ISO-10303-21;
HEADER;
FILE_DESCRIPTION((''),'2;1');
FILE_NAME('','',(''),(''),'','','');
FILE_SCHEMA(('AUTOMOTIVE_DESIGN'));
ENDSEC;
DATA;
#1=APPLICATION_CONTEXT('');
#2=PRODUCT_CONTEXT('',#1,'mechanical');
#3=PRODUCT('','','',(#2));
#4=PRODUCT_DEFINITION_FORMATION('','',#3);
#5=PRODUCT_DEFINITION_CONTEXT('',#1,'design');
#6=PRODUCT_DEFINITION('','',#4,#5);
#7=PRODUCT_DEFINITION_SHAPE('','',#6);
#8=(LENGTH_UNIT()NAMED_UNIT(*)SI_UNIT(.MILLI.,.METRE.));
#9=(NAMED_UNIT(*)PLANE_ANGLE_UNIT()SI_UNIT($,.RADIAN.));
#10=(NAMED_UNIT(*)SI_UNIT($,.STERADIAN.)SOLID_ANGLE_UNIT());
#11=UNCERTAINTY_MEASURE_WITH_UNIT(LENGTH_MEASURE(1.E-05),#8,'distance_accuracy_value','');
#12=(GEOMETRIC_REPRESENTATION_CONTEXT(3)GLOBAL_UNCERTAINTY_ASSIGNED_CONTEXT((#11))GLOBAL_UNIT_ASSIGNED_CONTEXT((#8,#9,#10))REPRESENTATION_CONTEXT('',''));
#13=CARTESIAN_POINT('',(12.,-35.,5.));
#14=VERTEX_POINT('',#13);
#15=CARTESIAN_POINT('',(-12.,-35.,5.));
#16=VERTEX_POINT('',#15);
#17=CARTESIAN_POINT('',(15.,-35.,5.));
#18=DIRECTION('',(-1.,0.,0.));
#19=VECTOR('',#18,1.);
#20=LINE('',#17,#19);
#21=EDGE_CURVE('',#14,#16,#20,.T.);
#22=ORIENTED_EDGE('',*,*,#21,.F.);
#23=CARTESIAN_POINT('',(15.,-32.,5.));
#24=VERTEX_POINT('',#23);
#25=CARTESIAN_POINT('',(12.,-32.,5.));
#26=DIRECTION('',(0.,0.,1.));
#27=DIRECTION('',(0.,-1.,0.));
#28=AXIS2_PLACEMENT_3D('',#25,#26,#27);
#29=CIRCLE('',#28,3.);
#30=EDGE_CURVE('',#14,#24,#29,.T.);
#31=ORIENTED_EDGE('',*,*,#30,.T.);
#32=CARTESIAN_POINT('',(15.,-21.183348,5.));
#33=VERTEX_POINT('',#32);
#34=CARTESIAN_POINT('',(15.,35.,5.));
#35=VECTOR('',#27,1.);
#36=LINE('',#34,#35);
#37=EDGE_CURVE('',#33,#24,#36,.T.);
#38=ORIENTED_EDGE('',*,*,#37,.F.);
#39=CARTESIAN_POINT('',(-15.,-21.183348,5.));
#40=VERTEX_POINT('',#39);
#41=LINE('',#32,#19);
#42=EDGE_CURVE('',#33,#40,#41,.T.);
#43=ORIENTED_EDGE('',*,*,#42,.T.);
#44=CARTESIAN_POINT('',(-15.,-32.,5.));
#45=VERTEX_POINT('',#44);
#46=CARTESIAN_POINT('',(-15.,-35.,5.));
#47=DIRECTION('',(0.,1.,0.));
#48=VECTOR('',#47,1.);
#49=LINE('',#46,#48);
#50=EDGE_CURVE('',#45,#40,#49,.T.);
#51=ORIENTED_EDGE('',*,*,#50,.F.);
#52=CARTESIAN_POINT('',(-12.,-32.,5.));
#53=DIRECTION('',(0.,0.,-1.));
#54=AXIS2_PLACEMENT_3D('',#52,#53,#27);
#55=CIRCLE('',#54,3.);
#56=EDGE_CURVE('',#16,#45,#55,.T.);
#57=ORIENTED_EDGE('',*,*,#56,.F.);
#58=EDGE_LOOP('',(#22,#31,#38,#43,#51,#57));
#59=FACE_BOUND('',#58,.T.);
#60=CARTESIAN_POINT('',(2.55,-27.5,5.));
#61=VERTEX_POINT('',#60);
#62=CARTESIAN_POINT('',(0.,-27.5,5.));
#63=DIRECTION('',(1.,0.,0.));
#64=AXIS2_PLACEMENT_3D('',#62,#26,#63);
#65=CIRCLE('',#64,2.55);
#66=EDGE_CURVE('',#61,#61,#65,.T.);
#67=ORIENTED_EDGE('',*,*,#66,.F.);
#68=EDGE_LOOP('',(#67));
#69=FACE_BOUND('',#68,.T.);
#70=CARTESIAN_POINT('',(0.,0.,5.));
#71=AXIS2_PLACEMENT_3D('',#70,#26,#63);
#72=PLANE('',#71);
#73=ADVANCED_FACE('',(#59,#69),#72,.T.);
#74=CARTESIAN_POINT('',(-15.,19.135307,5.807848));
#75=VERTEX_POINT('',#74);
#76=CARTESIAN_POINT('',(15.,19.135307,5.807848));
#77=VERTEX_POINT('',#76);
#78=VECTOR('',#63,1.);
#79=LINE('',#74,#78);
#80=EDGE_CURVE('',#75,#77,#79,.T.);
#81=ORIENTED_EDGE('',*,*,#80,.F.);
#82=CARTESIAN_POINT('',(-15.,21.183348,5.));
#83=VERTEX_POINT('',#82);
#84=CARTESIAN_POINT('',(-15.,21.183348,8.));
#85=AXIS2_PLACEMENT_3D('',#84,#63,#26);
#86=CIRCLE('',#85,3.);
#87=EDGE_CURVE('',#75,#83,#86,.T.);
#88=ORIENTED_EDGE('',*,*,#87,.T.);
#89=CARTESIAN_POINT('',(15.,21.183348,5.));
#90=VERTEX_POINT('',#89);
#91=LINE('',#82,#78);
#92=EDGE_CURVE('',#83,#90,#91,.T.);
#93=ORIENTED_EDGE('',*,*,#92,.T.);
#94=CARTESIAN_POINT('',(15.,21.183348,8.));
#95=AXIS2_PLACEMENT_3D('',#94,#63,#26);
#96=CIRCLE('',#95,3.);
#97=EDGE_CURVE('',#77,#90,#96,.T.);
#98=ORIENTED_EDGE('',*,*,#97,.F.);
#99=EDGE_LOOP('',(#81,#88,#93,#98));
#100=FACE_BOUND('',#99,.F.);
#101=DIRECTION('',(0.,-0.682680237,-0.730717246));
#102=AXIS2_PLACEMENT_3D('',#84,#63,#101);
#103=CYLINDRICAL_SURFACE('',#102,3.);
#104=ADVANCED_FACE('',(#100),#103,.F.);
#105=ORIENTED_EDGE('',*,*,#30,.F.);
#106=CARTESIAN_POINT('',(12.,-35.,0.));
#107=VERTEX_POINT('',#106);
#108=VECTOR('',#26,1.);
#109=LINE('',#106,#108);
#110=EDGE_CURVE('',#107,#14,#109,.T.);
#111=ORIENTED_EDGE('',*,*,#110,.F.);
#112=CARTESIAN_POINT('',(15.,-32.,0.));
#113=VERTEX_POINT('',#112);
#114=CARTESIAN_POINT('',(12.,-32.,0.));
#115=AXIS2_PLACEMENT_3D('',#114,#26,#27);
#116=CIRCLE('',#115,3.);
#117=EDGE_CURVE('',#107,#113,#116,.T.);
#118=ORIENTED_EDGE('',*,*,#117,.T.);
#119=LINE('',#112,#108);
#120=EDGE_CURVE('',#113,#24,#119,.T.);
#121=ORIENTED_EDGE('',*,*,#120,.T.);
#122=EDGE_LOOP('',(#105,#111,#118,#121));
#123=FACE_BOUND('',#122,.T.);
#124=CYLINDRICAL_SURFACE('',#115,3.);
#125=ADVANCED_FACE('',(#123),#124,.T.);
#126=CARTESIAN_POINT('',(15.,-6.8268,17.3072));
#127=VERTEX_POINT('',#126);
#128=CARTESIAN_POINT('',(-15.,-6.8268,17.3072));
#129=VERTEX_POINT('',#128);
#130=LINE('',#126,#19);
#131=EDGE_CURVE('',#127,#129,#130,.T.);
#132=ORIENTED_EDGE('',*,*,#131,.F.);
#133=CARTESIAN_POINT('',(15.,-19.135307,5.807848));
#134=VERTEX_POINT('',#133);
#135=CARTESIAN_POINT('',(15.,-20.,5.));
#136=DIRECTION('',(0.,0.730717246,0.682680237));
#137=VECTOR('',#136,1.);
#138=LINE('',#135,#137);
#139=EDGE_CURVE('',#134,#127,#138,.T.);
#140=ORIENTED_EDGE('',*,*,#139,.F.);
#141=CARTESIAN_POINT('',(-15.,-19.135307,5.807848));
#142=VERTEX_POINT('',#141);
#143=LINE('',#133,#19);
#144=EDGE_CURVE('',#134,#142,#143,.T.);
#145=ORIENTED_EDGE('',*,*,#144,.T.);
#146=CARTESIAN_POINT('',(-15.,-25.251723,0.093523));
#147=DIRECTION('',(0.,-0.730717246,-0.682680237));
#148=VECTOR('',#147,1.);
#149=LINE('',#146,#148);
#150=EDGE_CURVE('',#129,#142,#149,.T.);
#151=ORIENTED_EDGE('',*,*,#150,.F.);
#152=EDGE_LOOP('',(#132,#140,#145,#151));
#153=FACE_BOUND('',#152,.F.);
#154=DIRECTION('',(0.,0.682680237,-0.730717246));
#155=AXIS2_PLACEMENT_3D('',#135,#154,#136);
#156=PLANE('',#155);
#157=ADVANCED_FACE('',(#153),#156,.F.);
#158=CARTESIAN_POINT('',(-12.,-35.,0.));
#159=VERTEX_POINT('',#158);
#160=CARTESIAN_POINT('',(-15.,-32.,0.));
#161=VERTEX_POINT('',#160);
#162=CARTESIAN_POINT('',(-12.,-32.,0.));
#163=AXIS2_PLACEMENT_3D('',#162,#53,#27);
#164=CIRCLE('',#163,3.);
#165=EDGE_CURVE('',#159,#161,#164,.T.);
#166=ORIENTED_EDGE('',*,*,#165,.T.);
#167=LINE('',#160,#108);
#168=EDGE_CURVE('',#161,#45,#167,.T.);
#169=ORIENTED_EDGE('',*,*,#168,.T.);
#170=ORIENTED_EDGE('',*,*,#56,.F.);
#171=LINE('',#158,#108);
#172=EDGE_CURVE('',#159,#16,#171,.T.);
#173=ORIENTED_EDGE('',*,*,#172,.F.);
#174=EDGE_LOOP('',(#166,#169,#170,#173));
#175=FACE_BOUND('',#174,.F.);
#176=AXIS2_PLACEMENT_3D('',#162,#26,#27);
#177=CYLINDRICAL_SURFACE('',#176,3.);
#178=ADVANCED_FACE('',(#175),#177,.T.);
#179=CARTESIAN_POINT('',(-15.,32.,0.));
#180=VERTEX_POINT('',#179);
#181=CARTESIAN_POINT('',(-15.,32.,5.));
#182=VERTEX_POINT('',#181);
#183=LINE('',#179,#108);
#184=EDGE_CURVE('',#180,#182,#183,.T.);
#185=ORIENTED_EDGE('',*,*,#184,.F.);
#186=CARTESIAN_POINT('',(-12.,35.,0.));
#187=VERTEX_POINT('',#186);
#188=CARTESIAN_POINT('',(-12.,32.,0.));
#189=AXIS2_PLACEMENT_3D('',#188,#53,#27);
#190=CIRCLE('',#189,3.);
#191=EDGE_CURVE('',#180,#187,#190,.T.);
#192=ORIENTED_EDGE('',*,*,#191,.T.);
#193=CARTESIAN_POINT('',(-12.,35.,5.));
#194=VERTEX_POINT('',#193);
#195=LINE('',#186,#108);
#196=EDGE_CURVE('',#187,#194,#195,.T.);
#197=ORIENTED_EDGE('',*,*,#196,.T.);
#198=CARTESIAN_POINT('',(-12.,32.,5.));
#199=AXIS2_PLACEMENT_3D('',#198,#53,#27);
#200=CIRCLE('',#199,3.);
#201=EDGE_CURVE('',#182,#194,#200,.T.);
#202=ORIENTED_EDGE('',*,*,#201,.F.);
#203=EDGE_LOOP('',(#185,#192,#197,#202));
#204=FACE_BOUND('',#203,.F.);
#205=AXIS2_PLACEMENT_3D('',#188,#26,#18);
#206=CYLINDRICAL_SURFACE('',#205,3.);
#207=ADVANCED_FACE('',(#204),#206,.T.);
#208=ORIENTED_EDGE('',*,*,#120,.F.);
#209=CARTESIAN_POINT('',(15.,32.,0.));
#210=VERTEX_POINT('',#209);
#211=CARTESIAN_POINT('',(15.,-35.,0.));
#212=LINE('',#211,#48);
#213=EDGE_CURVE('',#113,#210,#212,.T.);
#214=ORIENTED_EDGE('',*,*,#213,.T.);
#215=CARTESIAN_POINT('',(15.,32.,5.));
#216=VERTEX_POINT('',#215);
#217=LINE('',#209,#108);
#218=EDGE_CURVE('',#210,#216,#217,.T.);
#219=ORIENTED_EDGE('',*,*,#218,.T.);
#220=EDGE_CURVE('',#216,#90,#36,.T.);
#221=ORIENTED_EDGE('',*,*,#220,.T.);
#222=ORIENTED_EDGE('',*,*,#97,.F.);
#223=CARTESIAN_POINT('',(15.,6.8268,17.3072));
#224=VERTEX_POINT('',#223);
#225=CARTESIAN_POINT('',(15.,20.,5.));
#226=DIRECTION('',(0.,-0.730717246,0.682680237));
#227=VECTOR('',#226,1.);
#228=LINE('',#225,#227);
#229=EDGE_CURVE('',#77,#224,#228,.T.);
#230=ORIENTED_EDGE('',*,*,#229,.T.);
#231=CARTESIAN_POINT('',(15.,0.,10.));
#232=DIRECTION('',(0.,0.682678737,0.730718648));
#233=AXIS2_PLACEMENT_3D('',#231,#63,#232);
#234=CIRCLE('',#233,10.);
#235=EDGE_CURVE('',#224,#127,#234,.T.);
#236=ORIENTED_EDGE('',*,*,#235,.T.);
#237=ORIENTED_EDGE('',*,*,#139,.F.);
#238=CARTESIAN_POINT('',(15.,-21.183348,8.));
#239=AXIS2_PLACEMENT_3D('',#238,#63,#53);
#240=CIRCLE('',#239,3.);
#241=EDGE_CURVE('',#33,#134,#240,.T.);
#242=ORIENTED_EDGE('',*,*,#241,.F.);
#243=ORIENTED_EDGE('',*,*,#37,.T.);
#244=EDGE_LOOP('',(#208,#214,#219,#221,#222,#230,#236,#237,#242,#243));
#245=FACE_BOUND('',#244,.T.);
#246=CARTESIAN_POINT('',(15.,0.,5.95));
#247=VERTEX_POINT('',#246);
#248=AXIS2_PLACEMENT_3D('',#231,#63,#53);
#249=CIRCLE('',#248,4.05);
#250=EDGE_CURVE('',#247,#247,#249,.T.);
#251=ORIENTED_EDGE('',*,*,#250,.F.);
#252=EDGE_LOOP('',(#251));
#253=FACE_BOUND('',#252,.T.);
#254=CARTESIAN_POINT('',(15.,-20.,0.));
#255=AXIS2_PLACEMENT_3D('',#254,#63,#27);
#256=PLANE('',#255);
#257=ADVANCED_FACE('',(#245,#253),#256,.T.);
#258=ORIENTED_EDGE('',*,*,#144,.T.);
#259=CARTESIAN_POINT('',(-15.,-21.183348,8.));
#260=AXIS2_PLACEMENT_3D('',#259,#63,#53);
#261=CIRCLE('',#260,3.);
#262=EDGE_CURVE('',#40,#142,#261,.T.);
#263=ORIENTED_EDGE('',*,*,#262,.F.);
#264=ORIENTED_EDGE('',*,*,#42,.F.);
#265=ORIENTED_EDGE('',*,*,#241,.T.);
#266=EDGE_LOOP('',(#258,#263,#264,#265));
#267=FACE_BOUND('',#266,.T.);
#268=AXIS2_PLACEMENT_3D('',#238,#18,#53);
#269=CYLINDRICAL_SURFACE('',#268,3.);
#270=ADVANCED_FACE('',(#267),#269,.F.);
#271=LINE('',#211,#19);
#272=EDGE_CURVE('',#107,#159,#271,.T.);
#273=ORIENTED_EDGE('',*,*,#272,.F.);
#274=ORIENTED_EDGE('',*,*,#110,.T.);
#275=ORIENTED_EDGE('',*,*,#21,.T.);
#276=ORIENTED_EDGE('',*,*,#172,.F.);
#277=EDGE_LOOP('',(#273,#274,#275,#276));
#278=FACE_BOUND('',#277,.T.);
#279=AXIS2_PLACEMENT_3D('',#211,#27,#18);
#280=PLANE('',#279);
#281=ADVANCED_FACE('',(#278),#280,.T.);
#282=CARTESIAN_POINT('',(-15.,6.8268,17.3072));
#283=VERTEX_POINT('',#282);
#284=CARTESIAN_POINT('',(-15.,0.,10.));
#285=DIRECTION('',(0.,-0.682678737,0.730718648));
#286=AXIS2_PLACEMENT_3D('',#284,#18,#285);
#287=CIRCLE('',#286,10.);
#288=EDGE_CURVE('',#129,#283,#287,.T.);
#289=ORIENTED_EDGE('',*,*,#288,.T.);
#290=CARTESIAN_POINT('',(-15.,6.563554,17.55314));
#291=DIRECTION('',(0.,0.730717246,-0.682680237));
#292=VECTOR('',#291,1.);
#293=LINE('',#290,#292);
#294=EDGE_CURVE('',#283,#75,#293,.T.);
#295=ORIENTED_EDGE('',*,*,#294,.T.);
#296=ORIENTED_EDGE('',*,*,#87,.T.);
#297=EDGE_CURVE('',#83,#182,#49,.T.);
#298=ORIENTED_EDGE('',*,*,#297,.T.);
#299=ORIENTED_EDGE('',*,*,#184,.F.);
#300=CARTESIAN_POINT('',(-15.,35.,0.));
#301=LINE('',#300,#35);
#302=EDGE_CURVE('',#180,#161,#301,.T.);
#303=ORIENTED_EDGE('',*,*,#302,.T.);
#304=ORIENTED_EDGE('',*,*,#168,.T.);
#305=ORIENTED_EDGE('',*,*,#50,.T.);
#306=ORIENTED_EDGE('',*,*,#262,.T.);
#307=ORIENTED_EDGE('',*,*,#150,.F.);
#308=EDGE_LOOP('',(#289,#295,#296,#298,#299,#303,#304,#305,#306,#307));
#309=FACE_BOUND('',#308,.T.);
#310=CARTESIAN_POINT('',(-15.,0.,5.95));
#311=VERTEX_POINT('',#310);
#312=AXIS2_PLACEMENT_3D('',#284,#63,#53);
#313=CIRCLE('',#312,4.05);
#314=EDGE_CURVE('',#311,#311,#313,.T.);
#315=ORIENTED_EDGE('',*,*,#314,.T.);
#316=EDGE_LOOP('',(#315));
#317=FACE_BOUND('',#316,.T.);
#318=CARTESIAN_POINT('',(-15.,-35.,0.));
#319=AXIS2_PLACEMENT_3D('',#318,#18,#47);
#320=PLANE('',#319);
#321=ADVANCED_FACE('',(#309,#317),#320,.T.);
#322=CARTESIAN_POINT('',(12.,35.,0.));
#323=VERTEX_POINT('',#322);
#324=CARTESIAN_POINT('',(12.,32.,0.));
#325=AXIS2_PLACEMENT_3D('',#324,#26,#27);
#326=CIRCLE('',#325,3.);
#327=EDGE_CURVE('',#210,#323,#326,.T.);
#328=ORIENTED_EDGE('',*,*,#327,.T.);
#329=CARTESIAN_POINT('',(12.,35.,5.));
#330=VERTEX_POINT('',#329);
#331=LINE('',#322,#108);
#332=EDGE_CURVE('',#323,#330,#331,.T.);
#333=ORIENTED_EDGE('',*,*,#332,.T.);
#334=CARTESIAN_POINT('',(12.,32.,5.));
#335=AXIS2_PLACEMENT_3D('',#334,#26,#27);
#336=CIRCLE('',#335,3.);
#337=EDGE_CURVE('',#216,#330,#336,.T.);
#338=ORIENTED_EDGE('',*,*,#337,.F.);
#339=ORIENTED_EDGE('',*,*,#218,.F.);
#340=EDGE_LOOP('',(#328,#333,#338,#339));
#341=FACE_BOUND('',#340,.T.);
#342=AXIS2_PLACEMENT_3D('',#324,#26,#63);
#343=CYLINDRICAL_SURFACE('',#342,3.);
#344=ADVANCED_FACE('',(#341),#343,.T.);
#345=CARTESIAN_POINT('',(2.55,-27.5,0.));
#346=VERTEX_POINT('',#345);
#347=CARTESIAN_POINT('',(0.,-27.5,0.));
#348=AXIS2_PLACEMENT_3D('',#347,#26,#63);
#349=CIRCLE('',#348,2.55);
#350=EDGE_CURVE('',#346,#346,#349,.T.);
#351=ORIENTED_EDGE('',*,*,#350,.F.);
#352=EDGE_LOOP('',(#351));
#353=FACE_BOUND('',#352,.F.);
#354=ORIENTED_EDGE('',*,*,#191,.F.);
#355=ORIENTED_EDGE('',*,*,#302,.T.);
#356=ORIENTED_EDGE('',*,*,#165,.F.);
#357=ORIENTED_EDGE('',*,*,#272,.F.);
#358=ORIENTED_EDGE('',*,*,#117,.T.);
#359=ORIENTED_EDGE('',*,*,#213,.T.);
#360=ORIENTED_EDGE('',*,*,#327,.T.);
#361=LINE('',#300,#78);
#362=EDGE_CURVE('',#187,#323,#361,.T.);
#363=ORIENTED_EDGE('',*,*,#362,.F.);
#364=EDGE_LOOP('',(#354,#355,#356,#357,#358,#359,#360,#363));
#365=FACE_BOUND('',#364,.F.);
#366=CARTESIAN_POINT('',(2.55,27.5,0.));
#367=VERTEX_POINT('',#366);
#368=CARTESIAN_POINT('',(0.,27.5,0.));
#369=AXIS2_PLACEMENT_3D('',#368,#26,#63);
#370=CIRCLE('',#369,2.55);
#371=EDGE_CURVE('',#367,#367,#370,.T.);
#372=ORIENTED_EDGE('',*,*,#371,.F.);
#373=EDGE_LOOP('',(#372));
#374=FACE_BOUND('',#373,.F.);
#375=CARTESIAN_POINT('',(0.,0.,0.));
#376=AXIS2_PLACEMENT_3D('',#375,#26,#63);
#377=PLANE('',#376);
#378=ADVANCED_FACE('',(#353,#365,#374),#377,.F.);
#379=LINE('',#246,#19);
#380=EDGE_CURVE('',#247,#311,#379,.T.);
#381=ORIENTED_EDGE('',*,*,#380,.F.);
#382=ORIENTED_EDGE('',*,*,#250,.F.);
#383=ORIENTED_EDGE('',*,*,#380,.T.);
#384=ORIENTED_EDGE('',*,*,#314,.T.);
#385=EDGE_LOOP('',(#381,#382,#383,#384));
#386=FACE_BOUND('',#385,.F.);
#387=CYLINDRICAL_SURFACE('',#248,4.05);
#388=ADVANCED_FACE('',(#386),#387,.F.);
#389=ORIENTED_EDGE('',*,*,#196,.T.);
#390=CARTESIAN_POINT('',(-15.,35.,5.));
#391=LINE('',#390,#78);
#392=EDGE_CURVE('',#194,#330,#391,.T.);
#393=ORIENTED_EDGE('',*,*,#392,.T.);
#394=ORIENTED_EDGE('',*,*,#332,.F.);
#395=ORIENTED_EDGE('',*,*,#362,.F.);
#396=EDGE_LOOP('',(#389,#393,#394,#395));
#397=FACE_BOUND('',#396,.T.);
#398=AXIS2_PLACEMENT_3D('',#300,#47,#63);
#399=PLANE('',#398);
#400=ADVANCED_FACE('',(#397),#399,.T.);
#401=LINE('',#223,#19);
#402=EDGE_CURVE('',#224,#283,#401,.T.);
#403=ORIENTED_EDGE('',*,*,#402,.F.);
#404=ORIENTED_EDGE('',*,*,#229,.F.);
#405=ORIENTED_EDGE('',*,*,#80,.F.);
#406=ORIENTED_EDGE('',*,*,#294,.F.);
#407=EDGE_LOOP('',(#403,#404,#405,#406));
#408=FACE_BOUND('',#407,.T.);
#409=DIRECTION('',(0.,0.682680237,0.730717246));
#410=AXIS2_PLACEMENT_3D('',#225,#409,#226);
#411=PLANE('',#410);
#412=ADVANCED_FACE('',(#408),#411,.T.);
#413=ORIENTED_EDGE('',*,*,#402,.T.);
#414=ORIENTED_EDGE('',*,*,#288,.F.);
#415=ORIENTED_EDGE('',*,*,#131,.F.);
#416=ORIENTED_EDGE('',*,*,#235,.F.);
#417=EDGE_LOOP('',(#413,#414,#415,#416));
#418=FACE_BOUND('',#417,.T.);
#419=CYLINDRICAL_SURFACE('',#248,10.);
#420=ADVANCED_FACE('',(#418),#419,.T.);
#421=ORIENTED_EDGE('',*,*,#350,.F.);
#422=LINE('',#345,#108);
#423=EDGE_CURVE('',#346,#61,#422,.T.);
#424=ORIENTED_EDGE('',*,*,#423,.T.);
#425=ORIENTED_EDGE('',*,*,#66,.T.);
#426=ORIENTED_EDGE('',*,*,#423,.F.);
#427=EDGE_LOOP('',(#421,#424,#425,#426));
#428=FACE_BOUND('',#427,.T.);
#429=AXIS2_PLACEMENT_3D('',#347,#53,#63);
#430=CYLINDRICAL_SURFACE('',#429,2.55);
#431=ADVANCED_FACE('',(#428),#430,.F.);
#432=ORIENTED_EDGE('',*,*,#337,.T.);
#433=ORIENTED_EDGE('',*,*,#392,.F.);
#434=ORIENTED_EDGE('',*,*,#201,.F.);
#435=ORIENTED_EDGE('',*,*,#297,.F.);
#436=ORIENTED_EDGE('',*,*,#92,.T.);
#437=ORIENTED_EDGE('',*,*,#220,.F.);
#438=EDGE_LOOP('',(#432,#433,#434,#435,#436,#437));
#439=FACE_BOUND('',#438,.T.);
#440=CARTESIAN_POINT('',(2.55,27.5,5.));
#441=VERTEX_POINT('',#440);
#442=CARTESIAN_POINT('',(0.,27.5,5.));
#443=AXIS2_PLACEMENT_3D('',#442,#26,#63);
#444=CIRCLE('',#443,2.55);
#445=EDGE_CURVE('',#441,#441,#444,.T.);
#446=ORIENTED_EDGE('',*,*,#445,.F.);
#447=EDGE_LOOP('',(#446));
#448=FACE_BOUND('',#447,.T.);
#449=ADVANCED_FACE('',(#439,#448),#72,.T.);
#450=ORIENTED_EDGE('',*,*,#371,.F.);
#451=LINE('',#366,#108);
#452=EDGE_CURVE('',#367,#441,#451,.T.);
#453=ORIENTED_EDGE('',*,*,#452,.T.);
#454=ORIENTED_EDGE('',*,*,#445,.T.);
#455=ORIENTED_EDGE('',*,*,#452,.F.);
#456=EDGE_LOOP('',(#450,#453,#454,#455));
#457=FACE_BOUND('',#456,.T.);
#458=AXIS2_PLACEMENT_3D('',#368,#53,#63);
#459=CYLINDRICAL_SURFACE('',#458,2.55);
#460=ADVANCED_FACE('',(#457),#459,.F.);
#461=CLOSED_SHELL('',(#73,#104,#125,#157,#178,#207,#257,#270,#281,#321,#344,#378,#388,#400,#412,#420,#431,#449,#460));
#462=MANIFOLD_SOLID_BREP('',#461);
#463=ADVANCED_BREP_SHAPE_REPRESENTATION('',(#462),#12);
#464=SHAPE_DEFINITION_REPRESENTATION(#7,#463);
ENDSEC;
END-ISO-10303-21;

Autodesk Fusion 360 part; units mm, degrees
sketch "Sketch1" plane through (0, 0, 0) normal (0, 0, 1) x (1, 0, 0)
  line L0 (15, -35) -> (-15, -35)
  line L1 (-15, -35) -> (-15, 35)
  line L2 (-15, 35) -> (15, 35)
  line L3 (15, 35) -> (15, -35)
  line L4 (15, -35) -> (-15, 35) construction
  line L5 (-15, -35) -> (15, 35) construction
  line L6 (-15, 20) -> (15, 20)
  line L7 (15, 20) -> (15, -20)
  line L8 (15, -20) -> (-15, -20)
  line L9 (-15, -20) -> (-15, 20)
  line L10 (-15, 20) -> (15, -20) construction
  line L11 (15, 20) -> (-15, -20) construction
  line L12 (0, 35) -> (0, 20) construction
  line L13 (0, -20) -> (0, -35) construction
  circle A0 centre (0, -27.5) radius 2.55
  circle A1 centre (0, 27.5) radius 2.55
  dimension "d1" = 30
  dimension "d2" = 15
  dimension "d3" = 40
  dimension "d4" = 5.1
  dimension "d5" = 5.1
extrude "Extrude1" add sketch "Sketch1" along normal blind 5
extrude "Extrude2" add sketch "Sketch1" along normal blind 15 from surface at 5 contours L1 L3 L6 L7 L8 L9
sketch "Sketch2" plane through (15, 0, 0) normal (1, 0, 0) x (0, 0, -1)
  line L0 (0, -35) -> (0, 35)
  line L1 (0, 35) -> (-5, 35)
  line L2 (-5, 35) -> (-5, 20)
  line L3 (-5, 20) -> (-20, 20)
  line L4 (-20, 20) -> (-20, -20)
  line L5 (-20, -20) -> (-5, -20)
  line L6 (-5, -20) -> (-5, -35)
  line L7 (-5, -35) -> (0, -35)
  line L8 (0, 0) -> (-20, 0) construction
  circle A0 centre (-10, 0) radius 4.05
  circle A1 centre (-10, 0) radius 10
  line L9 (-5, 20) -> (-17.3072, 6.8268)
  line L10 (-5, -20) -> (-17.3072, -6.8268)
  dimension "d11" = 8.1
extrude "Extrude3" cut sketch "Sketch2" against normal through all contours A0
extrude "Extrude8" cut sketch "Sketch2" against normal through all contours L3 L4 A1 L9 | L4 L5 A1 L10
fillet "Fillet1" radius 3 4 edges at (-15, 35, 2.5) (15, 35, 2.5) (-15, -35, 2.5) (15, -35, 2.5)
fillet "Fillet1" radius 3 2 edges at (0, 20, 5) (0, -20, 5)
equation "d4 = d5"
